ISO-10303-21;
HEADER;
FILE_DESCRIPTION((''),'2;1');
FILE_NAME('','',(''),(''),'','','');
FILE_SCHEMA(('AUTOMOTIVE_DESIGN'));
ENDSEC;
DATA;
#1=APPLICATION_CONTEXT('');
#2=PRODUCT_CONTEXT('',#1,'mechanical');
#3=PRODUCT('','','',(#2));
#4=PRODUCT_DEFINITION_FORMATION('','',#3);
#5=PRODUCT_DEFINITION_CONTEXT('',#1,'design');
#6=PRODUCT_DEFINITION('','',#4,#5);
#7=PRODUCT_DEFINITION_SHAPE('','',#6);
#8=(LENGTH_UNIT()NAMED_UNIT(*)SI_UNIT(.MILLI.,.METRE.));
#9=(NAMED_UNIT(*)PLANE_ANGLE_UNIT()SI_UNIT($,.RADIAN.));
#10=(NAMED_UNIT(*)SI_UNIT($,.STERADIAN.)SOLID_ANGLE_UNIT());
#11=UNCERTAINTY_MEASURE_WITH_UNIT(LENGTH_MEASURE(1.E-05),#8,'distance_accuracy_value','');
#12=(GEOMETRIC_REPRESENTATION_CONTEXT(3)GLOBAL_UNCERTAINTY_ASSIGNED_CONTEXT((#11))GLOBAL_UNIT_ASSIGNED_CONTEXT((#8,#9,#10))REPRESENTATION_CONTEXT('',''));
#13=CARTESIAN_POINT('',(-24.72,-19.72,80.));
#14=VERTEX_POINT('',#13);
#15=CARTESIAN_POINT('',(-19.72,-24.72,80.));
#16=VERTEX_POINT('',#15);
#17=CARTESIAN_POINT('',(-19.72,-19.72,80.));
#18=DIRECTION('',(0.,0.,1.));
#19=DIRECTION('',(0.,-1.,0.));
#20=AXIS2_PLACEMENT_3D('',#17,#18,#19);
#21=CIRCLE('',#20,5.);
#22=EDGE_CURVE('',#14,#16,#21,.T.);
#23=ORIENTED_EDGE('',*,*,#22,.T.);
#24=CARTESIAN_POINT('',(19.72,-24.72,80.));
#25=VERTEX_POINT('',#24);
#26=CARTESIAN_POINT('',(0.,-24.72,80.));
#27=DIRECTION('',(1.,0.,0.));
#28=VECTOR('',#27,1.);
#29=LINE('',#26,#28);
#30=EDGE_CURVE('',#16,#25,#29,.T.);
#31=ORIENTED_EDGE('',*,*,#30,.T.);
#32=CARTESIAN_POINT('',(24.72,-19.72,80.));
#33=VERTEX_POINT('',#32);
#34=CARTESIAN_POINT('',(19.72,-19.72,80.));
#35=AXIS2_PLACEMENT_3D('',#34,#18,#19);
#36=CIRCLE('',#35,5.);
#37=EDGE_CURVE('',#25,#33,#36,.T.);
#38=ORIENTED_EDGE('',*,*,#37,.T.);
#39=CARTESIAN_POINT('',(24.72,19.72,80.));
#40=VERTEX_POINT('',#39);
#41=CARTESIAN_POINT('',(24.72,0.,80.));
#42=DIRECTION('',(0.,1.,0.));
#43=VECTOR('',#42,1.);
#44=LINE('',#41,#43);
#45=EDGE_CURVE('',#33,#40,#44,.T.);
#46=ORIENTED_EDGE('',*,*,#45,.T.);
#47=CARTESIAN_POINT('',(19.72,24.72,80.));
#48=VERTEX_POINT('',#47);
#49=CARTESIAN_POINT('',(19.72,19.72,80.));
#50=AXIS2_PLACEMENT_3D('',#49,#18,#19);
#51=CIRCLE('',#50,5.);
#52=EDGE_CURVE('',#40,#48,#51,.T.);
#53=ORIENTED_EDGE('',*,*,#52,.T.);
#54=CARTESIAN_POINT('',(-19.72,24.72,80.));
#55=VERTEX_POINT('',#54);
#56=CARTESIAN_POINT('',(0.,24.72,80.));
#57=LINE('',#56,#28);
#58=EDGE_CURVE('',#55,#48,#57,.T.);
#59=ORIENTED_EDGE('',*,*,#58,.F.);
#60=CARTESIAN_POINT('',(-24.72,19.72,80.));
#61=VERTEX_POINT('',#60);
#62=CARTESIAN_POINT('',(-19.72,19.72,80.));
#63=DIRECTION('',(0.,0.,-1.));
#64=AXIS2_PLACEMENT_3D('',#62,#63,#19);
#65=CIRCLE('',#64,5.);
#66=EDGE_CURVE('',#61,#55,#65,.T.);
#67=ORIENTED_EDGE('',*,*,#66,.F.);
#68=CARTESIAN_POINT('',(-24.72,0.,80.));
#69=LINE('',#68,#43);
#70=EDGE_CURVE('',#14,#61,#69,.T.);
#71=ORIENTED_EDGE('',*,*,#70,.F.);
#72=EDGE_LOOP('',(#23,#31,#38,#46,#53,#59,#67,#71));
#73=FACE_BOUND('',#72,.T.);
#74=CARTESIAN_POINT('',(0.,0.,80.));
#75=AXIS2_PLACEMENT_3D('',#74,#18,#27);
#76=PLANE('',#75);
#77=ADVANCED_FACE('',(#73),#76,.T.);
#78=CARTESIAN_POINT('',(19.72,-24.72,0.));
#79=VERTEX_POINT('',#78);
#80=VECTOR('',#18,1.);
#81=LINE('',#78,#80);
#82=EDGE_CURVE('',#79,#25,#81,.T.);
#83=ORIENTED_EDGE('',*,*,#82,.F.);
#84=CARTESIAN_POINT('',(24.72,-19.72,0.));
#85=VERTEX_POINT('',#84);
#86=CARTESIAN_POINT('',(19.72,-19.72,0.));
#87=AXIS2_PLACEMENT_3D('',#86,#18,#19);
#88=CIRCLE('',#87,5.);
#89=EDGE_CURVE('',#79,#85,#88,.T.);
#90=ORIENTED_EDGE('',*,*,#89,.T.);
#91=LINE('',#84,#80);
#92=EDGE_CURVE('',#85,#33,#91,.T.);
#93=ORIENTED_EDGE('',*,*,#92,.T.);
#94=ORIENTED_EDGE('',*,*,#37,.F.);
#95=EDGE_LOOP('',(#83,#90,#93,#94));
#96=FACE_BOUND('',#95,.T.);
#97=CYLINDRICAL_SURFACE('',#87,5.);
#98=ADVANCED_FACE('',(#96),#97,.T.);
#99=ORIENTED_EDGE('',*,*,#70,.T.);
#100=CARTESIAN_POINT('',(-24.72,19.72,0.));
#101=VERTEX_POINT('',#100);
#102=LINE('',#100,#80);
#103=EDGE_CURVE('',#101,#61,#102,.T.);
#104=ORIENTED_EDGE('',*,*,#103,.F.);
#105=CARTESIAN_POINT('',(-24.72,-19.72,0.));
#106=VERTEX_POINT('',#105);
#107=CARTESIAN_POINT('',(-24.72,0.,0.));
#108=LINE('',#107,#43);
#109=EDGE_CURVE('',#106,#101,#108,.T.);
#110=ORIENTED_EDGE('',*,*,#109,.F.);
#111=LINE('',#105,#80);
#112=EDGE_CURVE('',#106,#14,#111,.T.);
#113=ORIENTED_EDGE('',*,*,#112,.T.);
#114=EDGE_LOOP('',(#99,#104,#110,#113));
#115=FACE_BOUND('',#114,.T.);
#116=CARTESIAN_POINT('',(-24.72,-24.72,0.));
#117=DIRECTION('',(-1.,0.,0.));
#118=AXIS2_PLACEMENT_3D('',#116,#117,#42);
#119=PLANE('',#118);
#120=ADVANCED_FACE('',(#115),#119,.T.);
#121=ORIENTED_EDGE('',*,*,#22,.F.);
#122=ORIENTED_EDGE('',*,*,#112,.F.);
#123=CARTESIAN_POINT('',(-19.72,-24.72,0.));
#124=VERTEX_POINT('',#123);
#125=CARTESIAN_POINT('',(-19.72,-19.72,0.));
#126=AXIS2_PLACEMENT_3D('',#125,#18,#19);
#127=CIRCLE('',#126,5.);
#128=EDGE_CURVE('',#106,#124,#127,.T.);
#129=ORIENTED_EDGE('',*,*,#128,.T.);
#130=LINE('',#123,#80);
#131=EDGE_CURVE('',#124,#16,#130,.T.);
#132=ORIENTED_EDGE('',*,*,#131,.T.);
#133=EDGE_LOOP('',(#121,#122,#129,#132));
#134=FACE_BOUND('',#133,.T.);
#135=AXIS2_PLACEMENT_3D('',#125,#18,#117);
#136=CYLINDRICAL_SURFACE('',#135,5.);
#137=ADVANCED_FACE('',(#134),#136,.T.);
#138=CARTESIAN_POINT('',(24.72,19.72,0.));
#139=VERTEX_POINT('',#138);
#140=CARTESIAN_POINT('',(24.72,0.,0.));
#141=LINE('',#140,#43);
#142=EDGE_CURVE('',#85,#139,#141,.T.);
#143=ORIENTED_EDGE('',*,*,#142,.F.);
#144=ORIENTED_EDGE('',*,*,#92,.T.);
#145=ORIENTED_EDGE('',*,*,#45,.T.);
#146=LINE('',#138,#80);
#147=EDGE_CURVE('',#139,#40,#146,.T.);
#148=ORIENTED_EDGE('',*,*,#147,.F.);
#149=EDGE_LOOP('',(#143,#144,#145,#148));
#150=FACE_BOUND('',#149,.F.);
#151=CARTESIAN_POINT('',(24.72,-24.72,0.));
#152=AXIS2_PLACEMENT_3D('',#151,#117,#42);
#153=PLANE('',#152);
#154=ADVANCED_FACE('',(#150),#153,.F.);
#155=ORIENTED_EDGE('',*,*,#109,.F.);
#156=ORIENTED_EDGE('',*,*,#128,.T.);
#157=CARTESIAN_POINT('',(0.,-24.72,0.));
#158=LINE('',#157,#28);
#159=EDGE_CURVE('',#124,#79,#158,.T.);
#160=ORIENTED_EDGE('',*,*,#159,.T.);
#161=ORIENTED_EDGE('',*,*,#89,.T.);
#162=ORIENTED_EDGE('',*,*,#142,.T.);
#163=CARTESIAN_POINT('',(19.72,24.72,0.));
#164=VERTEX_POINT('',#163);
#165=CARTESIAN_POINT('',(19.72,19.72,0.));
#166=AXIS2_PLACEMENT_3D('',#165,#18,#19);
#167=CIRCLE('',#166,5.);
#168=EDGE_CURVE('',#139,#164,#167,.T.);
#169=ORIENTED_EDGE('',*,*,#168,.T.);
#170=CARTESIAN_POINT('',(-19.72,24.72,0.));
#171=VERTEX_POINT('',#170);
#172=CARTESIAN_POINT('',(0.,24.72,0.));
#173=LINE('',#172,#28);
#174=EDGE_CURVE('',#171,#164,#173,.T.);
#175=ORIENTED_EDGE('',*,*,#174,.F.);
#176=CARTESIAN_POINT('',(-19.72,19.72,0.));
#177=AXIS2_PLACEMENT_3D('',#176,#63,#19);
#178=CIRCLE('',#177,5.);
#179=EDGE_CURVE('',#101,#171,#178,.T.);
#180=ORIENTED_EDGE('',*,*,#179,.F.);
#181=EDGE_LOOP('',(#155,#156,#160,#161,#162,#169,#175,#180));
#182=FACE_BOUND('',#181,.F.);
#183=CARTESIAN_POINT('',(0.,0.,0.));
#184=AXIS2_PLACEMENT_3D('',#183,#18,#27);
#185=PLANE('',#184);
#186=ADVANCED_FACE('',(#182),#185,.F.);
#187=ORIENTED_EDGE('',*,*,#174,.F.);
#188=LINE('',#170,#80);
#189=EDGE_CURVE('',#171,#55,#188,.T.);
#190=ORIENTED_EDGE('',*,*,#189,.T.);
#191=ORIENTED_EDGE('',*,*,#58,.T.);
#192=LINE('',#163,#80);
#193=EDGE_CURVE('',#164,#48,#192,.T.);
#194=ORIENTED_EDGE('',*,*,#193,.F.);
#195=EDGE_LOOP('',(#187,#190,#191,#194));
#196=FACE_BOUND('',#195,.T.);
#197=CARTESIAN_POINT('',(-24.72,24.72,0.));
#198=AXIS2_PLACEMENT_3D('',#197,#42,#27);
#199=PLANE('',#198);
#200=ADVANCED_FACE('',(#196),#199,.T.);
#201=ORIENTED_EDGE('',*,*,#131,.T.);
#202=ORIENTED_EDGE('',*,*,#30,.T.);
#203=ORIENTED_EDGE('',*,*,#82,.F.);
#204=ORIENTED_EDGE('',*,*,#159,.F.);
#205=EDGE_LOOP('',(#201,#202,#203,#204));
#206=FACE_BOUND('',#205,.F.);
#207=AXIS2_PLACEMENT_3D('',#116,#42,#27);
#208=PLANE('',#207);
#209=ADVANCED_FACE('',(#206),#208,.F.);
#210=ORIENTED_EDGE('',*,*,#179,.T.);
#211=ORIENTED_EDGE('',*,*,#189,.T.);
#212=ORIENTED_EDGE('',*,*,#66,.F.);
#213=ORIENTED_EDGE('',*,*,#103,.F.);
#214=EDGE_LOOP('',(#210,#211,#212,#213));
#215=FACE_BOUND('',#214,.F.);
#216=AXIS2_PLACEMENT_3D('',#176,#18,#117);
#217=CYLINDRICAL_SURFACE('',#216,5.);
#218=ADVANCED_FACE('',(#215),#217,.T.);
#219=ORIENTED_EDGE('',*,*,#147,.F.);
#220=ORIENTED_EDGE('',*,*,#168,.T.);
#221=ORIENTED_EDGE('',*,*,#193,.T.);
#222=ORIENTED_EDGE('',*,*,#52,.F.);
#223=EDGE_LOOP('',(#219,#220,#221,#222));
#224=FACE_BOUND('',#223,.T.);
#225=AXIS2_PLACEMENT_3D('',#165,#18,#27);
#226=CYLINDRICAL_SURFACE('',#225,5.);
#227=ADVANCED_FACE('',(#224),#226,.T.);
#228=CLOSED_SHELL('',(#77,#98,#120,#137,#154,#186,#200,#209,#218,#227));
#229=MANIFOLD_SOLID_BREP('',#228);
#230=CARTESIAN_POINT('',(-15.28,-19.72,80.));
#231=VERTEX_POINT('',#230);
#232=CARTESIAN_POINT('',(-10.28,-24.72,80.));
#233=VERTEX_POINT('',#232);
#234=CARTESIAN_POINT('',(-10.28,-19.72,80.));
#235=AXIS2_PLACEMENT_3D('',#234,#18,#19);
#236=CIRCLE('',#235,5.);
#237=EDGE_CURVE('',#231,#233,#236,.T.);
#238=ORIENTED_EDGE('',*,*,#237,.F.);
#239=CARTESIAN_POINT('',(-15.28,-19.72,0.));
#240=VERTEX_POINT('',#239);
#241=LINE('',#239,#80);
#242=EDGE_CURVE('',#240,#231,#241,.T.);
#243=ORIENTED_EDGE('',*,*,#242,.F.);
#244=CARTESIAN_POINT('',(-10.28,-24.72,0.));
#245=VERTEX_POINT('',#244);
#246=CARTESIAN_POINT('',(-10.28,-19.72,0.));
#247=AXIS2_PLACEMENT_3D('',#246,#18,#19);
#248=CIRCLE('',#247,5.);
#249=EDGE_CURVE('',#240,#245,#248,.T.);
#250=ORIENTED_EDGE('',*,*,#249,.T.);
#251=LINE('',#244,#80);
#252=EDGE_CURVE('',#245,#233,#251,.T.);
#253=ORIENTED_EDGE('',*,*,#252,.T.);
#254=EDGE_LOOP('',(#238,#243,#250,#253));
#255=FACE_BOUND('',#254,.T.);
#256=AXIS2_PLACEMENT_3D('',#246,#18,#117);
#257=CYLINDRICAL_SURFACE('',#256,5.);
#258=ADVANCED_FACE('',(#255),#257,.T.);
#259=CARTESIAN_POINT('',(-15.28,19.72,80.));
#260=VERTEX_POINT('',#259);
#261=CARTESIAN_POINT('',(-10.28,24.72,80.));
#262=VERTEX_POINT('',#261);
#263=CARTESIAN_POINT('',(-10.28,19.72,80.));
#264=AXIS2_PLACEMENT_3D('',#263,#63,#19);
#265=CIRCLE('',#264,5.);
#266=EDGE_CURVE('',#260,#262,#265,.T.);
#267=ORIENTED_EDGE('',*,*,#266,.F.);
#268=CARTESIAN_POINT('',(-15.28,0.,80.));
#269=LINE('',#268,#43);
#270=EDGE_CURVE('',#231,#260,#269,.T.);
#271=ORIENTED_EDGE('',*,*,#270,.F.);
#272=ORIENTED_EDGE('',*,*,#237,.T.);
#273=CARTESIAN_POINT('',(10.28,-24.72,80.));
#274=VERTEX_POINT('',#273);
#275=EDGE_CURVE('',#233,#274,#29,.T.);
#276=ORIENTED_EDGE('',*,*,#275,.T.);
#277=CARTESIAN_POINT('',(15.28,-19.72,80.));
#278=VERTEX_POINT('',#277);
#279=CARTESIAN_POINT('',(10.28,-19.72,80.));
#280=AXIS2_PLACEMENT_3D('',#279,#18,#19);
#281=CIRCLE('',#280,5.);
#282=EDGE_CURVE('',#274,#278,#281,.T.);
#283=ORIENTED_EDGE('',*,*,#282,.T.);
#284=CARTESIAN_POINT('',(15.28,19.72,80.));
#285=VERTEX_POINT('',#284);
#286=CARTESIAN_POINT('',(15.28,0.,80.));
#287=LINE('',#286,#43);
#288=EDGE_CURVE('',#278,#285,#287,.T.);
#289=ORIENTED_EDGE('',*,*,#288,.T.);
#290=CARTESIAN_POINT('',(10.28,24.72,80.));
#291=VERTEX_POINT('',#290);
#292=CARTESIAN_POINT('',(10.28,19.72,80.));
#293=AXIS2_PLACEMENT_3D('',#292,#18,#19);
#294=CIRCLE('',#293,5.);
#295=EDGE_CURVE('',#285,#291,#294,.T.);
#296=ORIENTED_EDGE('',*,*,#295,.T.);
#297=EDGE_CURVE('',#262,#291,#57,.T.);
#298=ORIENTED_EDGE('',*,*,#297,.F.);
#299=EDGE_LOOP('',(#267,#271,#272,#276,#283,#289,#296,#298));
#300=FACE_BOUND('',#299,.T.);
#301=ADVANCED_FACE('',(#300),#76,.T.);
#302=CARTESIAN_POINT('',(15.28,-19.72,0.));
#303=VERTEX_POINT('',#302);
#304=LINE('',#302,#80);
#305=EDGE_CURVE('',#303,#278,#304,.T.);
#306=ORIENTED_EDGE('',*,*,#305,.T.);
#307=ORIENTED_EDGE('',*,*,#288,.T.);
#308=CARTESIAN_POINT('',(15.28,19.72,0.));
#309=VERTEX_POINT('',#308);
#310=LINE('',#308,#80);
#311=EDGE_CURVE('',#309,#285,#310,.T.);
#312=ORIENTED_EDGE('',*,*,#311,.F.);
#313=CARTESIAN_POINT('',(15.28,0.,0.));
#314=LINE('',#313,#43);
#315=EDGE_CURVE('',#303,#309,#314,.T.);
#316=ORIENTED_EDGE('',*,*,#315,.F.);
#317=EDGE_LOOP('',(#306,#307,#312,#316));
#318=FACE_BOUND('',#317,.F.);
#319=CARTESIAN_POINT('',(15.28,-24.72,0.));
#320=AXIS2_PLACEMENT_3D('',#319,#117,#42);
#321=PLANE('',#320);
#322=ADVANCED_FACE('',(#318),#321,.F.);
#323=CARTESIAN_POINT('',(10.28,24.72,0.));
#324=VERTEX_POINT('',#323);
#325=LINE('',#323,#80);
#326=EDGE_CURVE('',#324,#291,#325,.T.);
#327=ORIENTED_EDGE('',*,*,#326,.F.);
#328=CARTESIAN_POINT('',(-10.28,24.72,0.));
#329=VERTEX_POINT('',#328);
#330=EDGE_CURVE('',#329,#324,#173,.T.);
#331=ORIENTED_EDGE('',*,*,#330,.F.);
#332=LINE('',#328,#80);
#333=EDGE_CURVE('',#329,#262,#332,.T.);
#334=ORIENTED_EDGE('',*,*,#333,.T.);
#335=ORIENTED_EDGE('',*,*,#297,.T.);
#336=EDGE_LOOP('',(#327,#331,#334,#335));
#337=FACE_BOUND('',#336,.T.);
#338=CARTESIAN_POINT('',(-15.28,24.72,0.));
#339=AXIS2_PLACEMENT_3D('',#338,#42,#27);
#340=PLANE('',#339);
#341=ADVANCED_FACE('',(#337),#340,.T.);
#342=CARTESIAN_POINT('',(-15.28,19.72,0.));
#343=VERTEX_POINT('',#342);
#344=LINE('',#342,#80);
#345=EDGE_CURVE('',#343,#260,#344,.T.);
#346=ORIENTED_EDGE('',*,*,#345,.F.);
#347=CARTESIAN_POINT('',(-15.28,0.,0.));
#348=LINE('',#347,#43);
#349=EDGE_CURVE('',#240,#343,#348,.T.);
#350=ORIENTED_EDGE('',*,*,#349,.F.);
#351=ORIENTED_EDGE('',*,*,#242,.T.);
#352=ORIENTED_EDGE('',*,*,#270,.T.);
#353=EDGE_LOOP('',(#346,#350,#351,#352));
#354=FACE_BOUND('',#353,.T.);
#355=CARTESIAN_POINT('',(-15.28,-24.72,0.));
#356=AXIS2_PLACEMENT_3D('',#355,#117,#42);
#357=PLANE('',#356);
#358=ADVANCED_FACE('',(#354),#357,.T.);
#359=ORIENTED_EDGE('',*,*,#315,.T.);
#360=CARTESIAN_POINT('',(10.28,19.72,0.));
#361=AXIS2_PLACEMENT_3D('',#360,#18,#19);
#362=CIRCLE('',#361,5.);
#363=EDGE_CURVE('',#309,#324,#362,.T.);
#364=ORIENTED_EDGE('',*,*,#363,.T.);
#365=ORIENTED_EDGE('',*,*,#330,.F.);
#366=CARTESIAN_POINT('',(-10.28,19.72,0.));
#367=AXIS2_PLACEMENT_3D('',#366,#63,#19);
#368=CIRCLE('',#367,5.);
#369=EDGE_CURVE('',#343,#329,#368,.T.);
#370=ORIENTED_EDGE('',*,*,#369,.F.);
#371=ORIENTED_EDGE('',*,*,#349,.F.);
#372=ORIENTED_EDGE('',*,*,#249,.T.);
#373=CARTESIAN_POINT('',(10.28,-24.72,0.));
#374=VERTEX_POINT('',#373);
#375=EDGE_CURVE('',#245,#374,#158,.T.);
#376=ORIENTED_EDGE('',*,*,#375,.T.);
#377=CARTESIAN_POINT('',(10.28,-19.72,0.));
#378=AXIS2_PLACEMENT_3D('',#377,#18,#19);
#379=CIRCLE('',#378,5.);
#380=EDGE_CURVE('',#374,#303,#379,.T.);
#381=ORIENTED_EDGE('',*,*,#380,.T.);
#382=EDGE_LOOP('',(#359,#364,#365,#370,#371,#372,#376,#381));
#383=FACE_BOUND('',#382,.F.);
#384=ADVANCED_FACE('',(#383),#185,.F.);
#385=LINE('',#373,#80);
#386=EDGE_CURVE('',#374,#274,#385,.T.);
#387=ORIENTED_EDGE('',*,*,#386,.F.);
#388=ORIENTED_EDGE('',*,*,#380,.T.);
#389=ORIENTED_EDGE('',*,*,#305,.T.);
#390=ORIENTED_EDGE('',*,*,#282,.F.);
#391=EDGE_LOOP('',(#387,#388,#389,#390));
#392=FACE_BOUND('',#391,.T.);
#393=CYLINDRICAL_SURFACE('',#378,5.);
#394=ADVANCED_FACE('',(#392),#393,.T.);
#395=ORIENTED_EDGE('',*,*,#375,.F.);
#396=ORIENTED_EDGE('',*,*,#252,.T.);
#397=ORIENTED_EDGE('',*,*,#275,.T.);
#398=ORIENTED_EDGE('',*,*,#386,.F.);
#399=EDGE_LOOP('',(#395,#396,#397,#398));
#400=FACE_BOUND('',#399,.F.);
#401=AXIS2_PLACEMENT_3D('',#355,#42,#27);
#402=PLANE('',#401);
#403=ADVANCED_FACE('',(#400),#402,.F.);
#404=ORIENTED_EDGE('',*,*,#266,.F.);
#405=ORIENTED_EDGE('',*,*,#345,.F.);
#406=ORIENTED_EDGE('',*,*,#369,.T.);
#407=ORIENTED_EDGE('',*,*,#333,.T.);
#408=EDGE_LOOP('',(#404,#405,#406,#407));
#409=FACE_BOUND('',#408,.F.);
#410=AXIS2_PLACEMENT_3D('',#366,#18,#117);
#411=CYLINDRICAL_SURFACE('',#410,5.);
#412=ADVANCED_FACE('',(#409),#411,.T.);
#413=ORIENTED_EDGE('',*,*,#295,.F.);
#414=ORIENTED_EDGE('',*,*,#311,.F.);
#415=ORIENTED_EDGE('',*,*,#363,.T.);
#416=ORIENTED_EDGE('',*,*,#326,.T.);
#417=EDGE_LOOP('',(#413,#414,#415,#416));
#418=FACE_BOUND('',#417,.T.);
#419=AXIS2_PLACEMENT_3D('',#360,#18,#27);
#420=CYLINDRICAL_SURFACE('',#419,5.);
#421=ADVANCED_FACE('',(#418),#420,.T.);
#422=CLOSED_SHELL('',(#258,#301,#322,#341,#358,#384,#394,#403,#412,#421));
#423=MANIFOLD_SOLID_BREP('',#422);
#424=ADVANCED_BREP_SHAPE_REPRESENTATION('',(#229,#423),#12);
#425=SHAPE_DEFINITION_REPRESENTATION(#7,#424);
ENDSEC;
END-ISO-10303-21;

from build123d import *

# Parameters (mm, degrees)
F0_W     = 49.44
F0_H     = 49.44
F1_DEPTH = 80
F2_R     = 5
F3_W     = 30.56
F3_H     = 49.44
F4_DEPTH = 80
F5_R     = 5


with BuildPart() as f1:
    # F0 (on Top) → F1 (new body)
    with BuildSketch(Plane.XY):
        Rectangle(F0_W, F0_H)
    extrude(amount=F1_DEPTH)

    # F2
    f2_edges = [f1.edges().sort_by_distance(p)[0] for p in [
        (-24.72, 24.72, 40),
        (-24.72, -24.72, 40),
        (24.72, -24.72, 40),
        (24.72, 24.72, 40),
    ]]
    fillet(f2_edges, radius=F2_R)


with BuildPart() as f4:
    # F3 (on Top) → F4 (new body)
    with BuildSketch(Plane.XY):
        Rectangle(F3_W, F3_H)
    extrude(amount=F4_DEPTH)

    # F5
    f5_edges = [f4.edges().sort_by_distance(p)[0] for p in [
        (-15.28, -24.72, 40),
        (15.28, -24.72, 40),
        (15.28, 24.72, 40),
        (-15.28, 24.72, 40),
    ]]
    fillet(f5_edges, radius=F5_R)


solid = Compound([f1.part, f4.part])
